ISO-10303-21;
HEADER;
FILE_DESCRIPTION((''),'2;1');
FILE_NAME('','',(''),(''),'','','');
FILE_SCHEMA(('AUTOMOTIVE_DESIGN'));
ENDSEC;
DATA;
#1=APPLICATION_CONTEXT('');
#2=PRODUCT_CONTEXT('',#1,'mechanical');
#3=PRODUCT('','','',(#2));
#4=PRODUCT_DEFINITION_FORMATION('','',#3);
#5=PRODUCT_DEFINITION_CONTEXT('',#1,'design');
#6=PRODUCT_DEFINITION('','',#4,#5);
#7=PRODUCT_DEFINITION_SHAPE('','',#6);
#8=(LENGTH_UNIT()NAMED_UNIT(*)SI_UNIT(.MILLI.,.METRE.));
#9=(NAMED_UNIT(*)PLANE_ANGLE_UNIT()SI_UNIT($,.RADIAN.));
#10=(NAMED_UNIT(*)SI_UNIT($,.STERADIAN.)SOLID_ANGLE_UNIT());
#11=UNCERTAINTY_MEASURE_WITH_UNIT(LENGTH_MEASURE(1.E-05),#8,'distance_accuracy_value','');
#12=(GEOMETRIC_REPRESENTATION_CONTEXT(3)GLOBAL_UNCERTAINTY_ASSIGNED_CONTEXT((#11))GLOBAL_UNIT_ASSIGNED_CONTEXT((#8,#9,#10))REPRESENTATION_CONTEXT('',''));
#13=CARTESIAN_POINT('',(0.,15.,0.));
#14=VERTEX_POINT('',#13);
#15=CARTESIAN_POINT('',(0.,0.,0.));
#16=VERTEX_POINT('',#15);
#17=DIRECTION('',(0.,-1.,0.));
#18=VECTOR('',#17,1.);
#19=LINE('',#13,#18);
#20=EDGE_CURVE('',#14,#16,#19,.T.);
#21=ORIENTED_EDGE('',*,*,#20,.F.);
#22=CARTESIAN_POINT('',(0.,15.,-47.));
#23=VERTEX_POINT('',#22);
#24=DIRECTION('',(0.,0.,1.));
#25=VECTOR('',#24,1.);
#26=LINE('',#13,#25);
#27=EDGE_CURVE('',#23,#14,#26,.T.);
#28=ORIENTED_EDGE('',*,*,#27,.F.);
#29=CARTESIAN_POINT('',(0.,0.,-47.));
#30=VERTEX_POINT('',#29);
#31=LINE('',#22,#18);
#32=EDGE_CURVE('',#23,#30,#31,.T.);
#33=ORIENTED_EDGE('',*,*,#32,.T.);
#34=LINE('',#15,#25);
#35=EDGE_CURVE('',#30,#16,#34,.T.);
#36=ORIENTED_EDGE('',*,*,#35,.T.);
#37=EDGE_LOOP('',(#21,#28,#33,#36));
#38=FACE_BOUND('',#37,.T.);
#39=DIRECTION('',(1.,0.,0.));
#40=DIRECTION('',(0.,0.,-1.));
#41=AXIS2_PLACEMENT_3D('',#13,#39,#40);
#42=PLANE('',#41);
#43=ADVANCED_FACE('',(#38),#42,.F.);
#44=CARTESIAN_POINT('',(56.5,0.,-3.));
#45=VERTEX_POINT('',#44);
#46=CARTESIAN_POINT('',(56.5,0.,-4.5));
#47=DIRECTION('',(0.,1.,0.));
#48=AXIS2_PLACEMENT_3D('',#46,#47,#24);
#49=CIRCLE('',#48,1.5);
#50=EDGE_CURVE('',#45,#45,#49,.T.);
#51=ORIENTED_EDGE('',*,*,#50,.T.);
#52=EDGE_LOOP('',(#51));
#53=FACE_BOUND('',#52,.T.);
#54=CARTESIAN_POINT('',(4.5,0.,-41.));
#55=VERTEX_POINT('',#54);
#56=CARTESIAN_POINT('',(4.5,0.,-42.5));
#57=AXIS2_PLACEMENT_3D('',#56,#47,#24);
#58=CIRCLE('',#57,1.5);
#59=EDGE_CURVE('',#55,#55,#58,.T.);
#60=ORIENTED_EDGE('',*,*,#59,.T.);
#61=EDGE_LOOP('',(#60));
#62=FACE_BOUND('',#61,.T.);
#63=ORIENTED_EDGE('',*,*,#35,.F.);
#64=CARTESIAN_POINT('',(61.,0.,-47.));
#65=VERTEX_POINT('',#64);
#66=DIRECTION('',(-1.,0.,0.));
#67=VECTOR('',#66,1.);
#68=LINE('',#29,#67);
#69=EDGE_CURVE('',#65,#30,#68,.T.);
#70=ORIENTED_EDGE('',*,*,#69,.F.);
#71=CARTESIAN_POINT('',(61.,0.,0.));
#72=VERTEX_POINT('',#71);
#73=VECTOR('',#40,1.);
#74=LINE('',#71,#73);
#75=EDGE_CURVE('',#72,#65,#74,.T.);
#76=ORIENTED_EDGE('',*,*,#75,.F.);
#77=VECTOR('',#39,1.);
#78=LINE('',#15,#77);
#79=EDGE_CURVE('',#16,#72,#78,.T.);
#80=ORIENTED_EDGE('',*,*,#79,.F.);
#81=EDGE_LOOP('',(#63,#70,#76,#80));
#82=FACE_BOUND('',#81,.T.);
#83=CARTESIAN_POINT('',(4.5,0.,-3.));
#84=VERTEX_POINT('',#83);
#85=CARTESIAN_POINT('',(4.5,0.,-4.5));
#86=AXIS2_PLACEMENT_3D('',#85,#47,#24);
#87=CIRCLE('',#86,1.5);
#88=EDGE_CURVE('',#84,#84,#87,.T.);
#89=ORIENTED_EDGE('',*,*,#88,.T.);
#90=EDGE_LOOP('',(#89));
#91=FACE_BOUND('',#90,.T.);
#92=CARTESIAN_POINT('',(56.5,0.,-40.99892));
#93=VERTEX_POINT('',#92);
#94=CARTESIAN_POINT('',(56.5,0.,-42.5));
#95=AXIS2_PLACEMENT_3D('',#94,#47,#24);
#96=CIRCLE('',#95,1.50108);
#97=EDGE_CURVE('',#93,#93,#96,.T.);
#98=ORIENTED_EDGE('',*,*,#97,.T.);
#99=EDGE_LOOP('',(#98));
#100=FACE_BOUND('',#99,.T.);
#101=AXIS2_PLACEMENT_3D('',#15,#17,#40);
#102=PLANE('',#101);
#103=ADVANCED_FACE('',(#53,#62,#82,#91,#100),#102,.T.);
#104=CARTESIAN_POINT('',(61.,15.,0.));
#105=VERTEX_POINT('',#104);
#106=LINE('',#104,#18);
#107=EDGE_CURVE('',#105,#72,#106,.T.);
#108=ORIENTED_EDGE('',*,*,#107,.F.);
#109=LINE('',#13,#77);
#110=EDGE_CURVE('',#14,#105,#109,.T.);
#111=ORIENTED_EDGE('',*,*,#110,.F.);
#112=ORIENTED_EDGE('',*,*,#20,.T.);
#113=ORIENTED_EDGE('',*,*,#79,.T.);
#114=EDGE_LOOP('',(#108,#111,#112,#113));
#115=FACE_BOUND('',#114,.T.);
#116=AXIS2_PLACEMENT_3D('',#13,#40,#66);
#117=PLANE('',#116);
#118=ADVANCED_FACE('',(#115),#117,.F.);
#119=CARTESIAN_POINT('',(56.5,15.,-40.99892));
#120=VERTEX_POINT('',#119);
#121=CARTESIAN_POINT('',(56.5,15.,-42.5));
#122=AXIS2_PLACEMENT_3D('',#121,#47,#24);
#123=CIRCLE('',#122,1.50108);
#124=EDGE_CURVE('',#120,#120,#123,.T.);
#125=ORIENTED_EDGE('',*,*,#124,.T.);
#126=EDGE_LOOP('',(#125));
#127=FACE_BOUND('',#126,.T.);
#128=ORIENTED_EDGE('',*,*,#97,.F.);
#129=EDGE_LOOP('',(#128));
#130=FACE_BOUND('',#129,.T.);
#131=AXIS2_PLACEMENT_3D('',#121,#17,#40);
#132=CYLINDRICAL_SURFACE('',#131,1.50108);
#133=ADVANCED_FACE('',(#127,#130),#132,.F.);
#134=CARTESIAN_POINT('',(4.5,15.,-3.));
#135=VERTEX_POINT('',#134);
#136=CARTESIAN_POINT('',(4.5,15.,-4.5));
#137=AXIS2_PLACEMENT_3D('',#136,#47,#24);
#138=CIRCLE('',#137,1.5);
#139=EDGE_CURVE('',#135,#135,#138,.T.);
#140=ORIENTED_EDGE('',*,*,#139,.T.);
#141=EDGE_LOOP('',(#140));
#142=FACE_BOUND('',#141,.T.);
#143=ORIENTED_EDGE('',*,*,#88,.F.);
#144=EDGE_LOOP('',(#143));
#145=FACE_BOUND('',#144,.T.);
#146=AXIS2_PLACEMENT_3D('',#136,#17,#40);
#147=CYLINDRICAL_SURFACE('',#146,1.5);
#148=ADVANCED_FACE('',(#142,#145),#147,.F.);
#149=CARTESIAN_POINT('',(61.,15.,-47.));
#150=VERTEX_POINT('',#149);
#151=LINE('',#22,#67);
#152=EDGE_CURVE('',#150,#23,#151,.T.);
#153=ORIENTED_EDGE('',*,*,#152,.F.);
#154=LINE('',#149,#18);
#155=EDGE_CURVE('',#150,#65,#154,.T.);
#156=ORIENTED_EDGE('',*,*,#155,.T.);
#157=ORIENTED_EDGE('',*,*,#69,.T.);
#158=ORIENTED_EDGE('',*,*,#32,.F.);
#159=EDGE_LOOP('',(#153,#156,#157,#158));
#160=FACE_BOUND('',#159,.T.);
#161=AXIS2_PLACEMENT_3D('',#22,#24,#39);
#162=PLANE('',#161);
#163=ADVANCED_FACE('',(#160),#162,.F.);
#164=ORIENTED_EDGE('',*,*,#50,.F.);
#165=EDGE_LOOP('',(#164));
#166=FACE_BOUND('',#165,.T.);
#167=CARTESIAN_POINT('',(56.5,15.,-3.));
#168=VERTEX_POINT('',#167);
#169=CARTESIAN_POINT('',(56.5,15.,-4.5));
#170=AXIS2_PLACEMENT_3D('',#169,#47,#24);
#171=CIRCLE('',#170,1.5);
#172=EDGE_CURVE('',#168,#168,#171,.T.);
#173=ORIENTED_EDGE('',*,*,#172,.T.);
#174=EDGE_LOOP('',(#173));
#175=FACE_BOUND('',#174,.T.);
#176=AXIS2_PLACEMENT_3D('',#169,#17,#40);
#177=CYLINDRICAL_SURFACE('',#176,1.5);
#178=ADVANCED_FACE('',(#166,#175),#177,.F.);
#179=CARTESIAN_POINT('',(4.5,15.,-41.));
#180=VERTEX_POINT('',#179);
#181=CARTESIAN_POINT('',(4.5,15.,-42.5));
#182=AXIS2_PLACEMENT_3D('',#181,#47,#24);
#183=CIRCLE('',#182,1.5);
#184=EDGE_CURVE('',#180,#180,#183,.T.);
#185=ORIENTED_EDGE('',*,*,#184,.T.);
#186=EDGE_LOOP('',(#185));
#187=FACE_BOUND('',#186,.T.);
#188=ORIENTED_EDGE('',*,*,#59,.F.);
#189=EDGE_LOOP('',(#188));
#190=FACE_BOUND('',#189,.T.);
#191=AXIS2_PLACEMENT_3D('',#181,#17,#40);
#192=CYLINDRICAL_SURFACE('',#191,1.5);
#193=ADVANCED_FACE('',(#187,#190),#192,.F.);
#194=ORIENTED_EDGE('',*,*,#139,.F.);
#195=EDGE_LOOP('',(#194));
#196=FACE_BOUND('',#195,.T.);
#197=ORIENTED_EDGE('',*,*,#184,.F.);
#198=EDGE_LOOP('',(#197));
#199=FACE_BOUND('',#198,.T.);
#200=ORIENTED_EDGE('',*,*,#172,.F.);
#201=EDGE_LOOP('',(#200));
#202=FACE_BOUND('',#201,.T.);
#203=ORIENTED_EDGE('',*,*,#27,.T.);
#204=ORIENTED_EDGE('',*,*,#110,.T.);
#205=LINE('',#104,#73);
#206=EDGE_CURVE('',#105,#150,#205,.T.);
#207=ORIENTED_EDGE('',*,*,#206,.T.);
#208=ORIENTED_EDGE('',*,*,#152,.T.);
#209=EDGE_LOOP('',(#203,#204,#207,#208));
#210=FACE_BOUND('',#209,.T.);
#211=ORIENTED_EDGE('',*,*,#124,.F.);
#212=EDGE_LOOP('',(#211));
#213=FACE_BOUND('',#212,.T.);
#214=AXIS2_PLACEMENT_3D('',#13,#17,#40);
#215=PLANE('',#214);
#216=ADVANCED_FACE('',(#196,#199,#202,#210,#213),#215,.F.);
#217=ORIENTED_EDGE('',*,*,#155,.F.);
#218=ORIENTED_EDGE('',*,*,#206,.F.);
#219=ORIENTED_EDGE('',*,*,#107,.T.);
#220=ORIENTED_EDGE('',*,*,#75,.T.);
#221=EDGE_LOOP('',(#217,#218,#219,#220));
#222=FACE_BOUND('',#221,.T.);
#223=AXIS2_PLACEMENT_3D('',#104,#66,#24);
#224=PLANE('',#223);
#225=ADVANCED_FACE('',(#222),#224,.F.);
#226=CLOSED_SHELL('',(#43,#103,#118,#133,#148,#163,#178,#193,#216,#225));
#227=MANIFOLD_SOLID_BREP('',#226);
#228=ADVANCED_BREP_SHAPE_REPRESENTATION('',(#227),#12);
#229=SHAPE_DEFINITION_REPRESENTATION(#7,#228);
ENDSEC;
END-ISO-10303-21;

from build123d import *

# Parameters (mm, degrees)
SKETCH_1_W      = 61
SKETCH_1_H      = 47
SKETCH_1_R      = 1.5
SKETCH_1_R_2    = 1.501079812
EXTRUDE_2_DEPTH = 15


with BuildPart() as part:
    # 草图1 → 凸台-拉伸2 (new body)
    with BuildSketch(Plane(origin=(0, 0, 0), x_dir=(1, 0, 0), z_dir=(0, 1, 0))):
        with Locations((30.5, 23.5)):
            Rectangle(SKETCH_1_W, SKETCH_1_H)
        with Locations(Location((4.5, 42.5, 0), (0, 0, 270))):
            Circle(SKETCH_1_R, mode=Mode.SUBTRACT)
        with Locations(Location((56.5, 42.5, 0), (0, 0, 270))):
            Circle(SKETCH_1_R_2, mode=Mode.SUBTRACT)
        with Locations(Location((4.5, 4.5, 0), (0, 0, 270))):
            Circle(SKETCH_1_R, mode=Mode.SUBTRACT)
        with Locations(Location((56.5, 4.5, 0), (0, 0, 270))):
            Circle(SKETCH_1_R, mode=Mode.SUBTRACT)
    extrude(amount=EXTRUDE_2_DEPTH)


solid = part.part
